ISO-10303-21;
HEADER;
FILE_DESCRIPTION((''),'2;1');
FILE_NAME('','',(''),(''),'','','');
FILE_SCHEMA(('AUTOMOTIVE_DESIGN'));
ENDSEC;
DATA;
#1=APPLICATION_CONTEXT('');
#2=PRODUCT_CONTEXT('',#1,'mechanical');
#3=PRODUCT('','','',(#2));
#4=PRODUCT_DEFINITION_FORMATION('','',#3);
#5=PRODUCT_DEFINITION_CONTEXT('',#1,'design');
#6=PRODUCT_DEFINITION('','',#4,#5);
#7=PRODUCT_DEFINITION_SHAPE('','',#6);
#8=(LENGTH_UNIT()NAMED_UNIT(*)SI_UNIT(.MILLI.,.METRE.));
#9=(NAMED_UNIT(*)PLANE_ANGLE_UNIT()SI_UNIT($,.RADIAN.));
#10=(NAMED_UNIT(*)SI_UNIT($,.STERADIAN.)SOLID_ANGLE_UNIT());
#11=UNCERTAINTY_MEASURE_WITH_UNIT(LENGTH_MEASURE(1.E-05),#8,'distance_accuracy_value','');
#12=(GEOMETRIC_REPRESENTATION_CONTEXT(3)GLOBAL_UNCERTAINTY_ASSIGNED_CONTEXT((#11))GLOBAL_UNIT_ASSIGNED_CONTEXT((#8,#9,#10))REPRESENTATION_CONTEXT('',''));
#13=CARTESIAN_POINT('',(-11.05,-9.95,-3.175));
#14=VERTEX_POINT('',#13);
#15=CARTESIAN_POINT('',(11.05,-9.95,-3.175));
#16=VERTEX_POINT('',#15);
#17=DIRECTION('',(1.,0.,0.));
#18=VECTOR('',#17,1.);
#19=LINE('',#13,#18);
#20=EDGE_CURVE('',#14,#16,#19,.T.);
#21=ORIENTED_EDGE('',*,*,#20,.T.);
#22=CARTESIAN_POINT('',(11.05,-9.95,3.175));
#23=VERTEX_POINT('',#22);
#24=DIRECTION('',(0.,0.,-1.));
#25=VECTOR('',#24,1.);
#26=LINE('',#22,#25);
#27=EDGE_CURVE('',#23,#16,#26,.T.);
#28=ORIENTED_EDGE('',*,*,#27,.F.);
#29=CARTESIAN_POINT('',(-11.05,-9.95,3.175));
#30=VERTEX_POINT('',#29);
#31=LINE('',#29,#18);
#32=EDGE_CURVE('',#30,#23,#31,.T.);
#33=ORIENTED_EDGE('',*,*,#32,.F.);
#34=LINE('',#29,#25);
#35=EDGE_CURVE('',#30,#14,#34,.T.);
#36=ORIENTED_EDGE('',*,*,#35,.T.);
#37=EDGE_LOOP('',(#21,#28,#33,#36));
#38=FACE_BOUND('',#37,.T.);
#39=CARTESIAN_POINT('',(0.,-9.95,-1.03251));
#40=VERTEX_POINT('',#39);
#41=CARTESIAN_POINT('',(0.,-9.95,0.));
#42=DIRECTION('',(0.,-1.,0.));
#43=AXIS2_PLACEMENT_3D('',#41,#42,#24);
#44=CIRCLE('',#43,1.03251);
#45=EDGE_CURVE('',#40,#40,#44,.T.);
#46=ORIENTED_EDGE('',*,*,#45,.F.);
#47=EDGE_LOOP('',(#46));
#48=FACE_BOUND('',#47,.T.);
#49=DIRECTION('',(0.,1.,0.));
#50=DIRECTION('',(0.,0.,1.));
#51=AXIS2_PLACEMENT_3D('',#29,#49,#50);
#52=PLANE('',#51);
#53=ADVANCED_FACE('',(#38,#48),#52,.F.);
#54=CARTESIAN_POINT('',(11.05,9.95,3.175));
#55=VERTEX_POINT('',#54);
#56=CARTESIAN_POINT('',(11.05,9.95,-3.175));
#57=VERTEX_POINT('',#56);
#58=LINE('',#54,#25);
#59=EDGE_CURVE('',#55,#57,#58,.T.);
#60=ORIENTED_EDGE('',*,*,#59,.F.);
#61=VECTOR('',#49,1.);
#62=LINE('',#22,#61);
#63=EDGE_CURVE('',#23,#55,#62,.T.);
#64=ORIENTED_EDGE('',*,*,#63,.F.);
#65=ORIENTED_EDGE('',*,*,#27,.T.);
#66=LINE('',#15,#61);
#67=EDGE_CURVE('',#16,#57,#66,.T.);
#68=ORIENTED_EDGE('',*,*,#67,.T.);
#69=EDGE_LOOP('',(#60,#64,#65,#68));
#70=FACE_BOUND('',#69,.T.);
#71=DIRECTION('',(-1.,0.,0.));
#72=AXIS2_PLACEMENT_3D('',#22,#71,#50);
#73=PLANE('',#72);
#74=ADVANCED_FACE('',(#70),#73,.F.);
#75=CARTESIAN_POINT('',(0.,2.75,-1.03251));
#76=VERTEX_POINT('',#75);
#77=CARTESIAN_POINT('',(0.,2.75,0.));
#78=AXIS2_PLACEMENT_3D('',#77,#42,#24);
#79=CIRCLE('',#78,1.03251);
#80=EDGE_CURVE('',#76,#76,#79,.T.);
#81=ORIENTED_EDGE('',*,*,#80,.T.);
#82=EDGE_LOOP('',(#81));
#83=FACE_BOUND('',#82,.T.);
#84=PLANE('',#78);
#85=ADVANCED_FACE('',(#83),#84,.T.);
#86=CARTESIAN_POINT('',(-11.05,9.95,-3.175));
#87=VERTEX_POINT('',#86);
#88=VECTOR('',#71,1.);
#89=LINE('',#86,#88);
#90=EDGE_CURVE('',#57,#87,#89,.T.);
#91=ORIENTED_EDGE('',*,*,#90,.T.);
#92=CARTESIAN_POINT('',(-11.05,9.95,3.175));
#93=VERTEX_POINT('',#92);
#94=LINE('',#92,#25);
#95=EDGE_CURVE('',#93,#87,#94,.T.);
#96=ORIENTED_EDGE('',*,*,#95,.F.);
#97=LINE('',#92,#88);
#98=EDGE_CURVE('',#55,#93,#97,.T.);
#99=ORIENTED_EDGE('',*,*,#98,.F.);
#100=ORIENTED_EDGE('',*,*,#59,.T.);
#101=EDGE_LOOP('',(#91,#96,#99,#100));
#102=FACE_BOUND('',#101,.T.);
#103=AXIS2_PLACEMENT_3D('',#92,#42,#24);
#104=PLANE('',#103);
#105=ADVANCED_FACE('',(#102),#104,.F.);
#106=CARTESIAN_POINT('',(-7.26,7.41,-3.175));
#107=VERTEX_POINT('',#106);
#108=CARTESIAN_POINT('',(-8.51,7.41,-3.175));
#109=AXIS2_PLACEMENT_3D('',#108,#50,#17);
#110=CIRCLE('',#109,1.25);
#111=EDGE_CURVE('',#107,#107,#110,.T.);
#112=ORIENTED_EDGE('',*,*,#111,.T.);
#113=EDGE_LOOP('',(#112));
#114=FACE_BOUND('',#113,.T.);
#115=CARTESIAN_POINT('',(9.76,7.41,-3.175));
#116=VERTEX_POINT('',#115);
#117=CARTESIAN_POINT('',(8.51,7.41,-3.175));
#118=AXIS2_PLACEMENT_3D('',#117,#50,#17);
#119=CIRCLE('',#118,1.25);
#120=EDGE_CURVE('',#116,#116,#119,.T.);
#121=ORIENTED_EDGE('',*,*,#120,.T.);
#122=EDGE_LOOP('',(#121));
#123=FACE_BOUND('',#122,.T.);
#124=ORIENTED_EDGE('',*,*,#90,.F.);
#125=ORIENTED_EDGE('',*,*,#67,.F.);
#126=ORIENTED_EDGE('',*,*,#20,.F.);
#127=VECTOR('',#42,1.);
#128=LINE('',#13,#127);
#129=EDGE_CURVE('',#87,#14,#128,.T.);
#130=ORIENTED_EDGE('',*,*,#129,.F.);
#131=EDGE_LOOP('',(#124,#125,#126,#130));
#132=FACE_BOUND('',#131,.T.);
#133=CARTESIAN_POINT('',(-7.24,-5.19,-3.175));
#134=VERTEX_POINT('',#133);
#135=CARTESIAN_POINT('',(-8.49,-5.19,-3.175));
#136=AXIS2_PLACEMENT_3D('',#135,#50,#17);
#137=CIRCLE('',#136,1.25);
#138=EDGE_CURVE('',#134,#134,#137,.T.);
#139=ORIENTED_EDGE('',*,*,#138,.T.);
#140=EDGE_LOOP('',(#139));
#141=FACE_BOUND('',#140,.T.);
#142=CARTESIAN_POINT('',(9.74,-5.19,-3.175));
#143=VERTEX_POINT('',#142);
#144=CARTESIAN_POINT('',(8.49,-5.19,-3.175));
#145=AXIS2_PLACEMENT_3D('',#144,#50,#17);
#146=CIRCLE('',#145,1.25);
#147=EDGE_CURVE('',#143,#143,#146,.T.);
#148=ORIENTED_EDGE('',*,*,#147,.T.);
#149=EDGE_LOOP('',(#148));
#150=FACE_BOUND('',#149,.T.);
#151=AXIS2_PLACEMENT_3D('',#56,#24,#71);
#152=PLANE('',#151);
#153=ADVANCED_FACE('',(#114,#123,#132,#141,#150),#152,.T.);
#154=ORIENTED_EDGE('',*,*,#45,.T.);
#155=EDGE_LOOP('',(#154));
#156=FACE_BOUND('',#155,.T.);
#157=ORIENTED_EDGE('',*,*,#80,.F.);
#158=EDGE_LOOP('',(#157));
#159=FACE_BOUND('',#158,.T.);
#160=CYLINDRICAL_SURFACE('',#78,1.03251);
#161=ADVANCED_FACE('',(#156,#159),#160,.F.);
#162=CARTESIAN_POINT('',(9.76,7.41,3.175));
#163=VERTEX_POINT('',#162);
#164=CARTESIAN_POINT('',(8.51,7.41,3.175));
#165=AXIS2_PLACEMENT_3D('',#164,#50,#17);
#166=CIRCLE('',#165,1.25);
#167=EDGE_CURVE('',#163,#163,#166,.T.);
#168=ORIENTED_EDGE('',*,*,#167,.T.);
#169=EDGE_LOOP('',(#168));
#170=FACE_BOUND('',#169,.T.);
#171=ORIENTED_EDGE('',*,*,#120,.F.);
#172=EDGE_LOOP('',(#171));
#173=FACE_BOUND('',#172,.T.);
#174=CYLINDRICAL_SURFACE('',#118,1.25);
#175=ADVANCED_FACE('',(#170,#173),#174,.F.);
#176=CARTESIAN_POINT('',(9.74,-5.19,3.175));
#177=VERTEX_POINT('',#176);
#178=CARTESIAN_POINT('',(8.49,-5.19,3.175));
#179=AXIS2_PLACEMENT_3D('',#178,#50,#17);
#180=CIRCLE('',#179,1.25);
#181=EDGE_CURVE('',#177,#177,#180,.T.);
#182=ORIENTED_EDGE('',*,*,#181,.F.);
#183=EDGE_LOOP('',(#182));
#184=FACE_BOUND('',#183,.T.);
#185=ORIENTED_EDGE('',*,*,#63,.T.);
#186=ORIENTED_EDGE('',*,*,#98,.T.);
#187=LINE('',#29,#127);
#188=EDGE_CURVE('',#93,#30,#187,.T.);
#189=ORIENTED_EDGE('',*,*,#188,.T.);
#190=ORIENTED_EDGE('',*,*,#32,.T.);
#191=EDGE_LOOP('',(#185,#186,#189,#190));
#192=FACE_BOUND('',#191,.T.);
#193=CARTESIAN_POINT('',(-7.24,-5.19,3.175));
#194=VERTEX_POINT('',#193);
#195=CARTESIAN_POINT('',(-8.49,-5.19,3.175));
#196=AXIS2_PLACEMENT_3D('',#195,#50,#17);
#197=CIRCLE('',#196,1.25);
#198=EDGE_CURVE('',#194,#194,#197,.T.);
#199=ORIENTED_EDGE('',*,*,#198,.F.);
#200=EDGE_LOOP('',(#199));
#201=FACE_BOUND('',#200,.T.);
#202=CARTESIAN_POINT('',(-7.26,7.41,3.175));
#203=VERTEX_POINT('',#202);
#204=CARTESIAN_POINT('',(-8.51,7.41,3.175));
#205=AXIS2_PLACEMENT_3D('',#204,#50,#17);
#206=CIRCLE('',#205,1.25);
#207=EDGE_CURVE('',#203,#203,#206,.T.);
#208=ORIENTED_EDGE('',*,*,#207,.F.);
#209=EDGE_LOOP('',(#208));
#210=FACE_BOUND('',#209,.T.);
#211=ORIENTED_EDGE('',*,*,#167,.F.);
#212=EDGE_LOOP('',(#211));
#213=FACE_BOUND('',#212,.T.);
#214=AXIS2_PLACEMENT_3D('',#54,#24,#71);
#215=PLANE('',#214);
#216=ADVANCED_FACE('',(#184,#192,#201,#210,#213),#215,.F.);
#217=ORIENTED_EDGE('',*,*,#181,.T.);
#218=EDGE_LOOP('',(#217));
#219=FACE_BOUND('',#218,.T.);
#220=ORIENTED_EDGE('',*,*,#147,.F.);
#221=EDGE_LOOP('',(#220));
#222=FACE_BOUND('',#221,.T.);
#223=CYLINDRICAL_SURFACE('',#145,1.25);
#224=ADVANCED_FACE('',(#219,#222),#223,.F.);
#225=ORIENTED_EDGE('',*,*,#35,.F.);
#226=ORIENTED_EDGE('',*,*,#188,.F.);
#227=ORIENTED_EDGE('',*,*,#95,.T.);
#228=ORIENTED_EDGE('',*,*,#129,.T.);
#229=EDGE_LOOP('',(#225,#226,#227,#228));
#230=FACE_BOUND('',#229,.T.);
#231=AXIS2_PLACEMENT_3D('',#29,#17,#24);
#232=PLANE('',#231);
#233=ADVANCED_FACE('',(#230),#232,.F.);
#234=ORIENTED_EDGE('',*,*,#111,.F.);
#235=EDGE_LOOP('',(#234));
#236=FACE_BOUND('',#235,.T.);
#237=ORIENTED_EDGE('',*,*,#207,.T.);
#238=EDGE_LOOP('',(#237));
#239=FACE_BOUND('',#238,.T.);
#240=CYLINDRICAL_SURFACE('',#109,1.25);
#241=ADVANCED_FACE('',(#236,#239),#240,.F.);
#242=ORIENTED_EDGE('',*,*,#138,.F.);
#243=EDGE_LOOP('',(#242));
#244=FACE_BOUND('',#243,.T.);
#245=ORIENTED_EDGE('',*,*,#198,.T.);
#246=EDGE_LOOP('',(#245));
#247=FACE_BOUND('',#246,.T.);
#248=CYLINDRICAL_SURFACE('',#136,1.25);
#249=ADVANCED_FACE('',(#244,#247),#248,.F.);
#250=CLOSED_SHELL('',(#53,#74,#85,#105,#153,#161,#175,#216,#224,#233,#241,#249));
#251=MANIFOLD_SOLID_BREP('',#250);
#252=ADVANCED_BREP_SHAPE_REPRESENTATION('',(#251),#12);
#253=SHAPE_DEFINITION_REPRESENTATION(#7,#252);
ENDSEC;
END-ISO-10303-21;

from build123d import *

# Parameters (mm, degrees)
SKETCH1_W          = 22.1
SKETCH1_H          = 19.9
EXTRUDE1_DEPTH     = 3.175
SKETCH2_R          = 1.03251
EXTRUDE2_DEPTH     = 12.7
SKETCH4_R          = 1.25
CUT_EXTRUDE1_DEPTH = 7.35


with BuildPart() as part:
    # Sketch1 → Extrude1 (new body, symmetric)
    with BuildSketch(Plane.XY):
        Rectangle(SKETCH1_W, SKETCH1_H)
    extrude(amount=EXTRUDE1_DEPTH, both=True)

    # Sketch2 → Extrude2 (cut)
    with BuildSketch(Plane.XZ.offset(9.95)):
        with Locations(Location((0, 0, 0), (0, 0, 270))):  # turned: the seam where the file's is
            Circle(SKETCH2_R)
    extrude(amount=-EXTRUDE2_DEPTH, mode=Mode.SUBTRACT)

    # Sketch4 → Cut-Extrude1 (cut, through all)
    with BuildSketch(Plane.XY.offset(3.175)):
        with Locations((8.49, -5.19)):
            Circle(SKETCH4_R)
        with Locations((-8.51, 7.41)):
            Circle(SKETCH4_R)
        with Locations((8.51, 7.41)):
            Circle(SKETCH4_R)
        with Locations((-8.49, -5.19)):
            Circle(SKETCH4_R)
    extrude(amount=-CUT_EXTRUDE1_DEPTH, mode=Mode.SUBTRACT)


solid = part.part
